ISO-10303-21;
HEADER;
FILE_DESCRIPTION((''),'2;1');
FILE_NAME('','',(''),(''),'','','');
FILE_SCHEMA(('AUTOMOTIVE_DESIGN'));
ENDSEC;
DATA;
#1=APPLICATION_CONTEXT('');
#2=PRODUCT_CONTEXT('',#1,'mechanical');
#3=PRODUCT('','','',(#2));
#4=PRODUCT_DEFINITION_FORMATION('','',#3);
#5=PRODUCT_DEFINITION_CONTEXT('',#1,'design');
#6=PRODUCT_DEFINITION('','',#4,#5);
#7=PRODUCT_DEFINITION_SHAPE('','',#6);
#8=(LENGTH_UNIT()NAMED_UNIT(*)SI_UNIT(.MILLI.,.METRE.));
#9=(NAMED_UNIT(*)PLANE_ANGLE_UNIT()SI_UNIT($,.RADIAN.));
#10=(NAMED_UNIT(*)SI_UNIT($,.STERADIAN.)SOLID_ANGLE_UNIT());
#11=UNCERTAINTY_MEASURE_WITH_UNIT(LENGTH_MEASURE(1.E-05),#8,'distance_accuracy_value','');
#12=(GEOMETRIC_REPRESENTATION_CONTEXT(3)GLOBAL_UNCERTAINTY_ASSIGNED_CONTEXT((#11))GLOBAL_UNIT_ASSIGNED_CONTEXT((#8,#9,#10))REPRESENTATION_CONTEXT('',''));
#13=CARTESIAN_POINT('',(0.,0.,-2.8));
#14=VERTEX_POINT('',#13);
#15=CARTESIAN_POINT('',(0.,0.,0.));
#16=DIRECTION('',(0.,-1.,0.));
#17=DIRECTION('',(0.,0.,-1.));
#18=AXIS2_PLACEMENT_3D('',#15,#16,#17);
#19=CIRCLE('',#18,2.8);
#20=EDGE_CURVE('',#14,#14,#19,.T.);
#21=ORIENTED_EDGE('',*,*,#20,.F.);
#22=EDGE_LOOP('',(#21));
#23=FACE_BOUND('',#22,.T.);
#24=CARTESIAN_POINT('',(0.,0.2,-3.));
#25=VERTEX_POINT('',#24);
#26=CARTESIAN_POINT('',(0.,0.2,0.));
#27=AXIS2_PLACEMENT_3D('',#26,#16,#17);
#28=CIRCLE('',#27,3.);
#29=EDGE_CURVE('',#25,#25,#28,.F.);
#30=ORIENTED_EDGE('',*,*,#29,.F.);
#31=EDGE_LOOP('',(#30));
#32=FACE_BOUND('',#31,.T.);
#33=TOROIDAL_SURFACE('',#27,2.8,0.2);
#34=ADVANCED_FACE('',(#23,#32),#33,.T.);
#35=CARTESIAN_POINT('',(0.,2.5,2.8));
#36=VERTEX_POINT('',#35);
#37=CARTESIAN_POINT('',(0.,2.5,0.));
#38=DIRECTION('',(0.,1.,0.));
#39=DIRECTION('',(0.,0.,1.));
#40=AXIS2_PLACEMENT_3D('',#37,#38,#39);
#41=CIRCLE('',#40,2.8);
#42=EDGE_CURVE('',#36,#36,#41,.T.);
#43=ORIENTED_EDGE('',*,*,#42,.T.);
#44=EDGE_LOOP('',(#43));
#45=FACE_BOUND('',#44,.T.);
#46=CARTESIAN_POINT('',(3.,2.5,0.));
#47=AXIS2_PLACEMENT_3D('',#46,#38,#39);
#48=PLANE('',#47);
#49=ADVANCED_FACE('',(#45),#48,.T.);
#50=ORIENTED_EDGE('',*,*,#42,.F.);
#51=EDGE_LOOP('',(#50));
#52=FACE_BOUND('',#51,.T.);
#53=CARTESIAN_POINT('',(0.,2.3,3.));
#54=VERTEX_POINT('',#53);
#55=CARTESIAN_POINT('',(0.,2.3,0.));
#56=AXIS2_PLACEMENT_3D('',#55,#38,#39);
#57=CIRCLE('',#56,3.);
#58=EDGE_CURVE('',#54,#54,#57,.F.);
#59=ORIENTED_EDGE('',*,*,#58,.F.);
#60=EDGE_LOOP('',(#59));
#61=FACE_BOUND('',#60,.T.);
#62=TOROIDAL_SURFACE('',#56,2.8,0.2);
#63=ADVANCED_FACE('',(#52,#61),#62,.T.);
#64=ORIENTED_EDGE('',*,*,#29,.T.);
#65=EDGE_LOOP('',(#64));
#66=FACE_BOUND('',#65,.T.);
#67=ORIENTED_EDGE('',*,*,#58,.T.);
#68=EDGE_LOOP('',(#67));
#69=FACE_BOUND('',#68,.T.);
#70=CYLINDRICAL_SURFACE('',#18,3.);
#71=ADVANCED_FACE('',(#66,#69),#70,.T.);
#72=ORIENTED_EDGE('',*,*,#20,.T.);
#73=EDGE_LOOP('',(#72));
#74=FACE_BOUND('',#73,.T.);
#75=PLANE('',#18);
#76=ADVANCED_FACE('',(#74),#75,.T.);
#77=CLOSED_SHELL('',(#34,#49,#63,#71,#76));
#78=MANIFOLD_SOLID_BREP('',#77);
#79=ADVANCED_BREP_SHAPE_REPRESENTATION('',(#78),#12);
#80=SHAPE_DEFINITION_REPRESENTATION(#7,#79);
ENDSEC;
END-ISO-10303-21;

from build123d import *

# Parameters (mm, degrees)
SKETCH1_W = 3
SKETCH1_H = 2.5
FILLET1_R = 0.2


with BuildPart() as part:
    # Sketch1 → Revolve1 (revolve)
    with BuildSketch(Plane.XY):
        with Locations((1.5, 1.25)):
            Rectangle(SKETCH1_W, SKETCH1_H)
    revolve(axis=Axis((0, 0, 0), (0, 1, 0)))

    # Fillet1
    fillet1_edges = [part.edges().sort_by_distance(p)[0] for p in [
        (-3, 2.5, 0),
        (-3, 0, 0),
    ]]
    fillet(fillet1_edges, radius=FILLET1_R)


solid = part.part
